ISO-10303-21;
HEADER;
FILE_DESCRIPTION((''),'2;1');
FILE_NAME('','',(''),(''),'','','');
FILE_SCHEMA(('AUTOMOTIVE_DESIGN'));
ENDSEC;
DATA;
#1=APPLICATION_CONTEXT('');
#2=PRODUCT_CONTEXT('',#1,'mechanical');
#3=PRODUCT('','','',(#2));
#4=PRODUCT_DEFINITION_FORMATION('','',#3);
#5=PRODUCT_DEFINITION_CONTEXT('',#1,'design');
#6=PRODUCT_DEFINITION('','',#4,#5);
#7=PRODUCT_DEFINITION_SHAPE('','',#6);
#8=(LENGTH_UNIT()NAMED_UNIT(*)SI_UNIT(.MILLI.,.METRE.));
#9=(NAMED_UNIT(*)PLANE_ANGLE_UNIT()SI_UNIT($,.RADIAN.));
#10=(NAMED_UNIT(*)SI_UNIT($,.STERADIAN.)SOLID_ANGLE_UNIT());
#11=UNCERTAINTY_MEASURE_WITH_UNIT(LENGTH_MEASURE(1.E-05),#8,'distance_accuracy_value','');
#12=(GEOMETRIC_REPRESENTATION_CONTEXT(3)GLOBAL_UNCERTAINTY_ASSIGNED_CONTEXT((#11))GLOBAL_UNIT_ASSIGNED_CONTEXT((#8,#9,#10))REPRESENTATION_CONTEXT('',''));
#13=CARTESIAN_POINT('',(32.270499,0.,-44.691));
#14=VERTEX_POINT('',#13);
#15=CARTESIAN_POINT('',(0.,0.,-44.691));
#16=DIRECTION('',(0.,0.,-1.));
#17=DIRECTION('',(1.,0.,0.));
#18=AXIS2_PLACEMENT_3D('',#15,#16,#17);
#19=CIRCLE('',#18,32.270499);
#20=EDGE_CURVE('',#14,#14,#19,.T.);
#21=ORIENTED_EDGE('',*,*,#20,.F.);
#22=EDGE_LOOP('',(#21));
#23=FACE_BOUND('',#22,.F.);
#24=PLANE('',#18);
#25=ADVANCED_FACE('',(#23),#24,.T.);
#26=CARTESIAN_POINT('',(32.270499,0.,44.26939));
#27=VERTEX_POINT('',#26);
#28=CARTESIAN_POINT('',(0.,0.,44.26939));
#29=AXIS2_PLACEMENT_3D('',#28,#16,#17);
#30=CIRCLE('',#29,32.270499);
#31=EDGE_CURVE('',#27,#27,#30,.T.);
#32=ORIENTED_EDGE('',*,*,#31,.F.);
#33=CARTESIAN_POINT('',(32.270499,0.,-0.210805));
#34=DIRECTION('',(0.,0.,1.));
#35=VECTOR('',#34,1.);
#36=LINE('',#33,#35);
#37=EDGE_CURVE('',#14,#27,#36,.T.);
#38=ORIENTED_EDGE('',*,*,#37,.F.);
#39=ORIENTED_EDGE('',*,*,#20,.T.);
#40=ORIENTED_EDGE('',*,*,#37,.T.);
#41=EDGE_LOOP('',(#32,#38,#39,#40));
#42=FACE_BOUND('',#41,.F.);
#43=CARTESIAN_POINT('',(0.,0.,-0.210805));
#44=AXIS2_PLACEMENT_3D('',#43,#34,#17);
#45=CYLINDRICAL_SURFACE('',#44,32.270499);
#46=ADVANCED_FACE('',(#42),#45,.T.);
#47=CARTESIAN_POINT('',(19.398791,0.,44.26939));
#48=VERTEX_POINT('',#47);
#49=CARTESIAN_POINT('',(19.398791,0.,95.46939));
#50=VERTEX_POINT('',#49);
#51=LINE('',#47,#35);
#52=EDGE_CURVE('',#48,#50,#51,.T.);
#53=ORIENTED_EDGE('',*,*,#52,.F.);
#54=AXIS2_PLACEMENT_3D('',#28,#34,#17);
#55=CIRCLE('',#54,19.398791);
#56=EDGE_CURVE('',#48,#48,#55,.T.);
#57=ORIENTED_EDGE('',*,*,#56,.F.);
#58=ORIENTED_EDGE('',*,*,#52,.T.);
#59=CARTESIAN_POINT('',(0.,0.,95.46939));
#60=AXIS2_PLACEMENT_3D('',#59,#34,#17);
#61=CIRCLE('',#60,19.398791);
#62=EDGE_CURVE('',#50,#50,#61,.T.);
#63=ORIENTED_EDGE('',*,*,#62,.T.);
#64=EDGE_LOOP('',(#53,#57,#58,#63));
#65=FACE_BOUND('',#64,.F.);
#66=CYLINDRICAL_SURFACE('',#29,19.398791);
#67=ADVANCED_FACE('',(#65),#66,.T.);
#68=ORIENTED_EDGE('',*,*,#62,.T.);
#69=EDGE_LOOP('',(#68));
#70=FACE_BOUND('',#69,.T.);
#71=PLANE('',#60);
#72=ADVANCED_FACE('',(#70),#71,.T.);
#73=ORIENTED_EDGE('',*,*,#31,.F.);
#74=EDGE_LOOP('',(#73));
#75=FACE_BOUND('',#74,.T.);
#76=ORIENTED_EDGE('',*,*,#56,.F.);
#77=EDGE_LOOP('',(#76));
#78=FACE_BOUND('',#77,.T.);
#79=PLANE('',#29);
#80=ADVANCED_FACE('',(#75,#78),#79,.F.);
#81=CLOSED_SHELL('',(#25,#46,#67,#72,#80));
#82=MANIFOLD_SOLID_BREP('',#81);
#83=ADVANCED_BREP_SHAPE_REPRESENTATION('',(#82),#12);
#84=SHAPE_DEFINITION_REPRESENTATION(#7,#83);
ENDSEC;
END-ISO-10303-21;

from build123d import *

# Parameters (mm, degrees)
F0_W     = 32.2704985738
F0_H     = 88.960390538
F2_R     = 19.3987912373
F3_DEPTH = 51.2


with BuildPart() as f1:
    # F0 (on Front) → F1 (revolve)
    with BuildSketch(Plane.XZ):
        with Locations((16.1352492869, -0.2108048648)):
            Rectangle(F0_W, F0_H)
    revolve(axis=Axis((0, 0, -0.2108048648), (0, 0, -1)))

    # F2 (on face) → F3 (join)
    with BuildSketch(Plane.XY.offset(44.2693904042)):
        Circle(F2_R)
    extrude(amount=F3_DEPTH)


solid = f1.part
